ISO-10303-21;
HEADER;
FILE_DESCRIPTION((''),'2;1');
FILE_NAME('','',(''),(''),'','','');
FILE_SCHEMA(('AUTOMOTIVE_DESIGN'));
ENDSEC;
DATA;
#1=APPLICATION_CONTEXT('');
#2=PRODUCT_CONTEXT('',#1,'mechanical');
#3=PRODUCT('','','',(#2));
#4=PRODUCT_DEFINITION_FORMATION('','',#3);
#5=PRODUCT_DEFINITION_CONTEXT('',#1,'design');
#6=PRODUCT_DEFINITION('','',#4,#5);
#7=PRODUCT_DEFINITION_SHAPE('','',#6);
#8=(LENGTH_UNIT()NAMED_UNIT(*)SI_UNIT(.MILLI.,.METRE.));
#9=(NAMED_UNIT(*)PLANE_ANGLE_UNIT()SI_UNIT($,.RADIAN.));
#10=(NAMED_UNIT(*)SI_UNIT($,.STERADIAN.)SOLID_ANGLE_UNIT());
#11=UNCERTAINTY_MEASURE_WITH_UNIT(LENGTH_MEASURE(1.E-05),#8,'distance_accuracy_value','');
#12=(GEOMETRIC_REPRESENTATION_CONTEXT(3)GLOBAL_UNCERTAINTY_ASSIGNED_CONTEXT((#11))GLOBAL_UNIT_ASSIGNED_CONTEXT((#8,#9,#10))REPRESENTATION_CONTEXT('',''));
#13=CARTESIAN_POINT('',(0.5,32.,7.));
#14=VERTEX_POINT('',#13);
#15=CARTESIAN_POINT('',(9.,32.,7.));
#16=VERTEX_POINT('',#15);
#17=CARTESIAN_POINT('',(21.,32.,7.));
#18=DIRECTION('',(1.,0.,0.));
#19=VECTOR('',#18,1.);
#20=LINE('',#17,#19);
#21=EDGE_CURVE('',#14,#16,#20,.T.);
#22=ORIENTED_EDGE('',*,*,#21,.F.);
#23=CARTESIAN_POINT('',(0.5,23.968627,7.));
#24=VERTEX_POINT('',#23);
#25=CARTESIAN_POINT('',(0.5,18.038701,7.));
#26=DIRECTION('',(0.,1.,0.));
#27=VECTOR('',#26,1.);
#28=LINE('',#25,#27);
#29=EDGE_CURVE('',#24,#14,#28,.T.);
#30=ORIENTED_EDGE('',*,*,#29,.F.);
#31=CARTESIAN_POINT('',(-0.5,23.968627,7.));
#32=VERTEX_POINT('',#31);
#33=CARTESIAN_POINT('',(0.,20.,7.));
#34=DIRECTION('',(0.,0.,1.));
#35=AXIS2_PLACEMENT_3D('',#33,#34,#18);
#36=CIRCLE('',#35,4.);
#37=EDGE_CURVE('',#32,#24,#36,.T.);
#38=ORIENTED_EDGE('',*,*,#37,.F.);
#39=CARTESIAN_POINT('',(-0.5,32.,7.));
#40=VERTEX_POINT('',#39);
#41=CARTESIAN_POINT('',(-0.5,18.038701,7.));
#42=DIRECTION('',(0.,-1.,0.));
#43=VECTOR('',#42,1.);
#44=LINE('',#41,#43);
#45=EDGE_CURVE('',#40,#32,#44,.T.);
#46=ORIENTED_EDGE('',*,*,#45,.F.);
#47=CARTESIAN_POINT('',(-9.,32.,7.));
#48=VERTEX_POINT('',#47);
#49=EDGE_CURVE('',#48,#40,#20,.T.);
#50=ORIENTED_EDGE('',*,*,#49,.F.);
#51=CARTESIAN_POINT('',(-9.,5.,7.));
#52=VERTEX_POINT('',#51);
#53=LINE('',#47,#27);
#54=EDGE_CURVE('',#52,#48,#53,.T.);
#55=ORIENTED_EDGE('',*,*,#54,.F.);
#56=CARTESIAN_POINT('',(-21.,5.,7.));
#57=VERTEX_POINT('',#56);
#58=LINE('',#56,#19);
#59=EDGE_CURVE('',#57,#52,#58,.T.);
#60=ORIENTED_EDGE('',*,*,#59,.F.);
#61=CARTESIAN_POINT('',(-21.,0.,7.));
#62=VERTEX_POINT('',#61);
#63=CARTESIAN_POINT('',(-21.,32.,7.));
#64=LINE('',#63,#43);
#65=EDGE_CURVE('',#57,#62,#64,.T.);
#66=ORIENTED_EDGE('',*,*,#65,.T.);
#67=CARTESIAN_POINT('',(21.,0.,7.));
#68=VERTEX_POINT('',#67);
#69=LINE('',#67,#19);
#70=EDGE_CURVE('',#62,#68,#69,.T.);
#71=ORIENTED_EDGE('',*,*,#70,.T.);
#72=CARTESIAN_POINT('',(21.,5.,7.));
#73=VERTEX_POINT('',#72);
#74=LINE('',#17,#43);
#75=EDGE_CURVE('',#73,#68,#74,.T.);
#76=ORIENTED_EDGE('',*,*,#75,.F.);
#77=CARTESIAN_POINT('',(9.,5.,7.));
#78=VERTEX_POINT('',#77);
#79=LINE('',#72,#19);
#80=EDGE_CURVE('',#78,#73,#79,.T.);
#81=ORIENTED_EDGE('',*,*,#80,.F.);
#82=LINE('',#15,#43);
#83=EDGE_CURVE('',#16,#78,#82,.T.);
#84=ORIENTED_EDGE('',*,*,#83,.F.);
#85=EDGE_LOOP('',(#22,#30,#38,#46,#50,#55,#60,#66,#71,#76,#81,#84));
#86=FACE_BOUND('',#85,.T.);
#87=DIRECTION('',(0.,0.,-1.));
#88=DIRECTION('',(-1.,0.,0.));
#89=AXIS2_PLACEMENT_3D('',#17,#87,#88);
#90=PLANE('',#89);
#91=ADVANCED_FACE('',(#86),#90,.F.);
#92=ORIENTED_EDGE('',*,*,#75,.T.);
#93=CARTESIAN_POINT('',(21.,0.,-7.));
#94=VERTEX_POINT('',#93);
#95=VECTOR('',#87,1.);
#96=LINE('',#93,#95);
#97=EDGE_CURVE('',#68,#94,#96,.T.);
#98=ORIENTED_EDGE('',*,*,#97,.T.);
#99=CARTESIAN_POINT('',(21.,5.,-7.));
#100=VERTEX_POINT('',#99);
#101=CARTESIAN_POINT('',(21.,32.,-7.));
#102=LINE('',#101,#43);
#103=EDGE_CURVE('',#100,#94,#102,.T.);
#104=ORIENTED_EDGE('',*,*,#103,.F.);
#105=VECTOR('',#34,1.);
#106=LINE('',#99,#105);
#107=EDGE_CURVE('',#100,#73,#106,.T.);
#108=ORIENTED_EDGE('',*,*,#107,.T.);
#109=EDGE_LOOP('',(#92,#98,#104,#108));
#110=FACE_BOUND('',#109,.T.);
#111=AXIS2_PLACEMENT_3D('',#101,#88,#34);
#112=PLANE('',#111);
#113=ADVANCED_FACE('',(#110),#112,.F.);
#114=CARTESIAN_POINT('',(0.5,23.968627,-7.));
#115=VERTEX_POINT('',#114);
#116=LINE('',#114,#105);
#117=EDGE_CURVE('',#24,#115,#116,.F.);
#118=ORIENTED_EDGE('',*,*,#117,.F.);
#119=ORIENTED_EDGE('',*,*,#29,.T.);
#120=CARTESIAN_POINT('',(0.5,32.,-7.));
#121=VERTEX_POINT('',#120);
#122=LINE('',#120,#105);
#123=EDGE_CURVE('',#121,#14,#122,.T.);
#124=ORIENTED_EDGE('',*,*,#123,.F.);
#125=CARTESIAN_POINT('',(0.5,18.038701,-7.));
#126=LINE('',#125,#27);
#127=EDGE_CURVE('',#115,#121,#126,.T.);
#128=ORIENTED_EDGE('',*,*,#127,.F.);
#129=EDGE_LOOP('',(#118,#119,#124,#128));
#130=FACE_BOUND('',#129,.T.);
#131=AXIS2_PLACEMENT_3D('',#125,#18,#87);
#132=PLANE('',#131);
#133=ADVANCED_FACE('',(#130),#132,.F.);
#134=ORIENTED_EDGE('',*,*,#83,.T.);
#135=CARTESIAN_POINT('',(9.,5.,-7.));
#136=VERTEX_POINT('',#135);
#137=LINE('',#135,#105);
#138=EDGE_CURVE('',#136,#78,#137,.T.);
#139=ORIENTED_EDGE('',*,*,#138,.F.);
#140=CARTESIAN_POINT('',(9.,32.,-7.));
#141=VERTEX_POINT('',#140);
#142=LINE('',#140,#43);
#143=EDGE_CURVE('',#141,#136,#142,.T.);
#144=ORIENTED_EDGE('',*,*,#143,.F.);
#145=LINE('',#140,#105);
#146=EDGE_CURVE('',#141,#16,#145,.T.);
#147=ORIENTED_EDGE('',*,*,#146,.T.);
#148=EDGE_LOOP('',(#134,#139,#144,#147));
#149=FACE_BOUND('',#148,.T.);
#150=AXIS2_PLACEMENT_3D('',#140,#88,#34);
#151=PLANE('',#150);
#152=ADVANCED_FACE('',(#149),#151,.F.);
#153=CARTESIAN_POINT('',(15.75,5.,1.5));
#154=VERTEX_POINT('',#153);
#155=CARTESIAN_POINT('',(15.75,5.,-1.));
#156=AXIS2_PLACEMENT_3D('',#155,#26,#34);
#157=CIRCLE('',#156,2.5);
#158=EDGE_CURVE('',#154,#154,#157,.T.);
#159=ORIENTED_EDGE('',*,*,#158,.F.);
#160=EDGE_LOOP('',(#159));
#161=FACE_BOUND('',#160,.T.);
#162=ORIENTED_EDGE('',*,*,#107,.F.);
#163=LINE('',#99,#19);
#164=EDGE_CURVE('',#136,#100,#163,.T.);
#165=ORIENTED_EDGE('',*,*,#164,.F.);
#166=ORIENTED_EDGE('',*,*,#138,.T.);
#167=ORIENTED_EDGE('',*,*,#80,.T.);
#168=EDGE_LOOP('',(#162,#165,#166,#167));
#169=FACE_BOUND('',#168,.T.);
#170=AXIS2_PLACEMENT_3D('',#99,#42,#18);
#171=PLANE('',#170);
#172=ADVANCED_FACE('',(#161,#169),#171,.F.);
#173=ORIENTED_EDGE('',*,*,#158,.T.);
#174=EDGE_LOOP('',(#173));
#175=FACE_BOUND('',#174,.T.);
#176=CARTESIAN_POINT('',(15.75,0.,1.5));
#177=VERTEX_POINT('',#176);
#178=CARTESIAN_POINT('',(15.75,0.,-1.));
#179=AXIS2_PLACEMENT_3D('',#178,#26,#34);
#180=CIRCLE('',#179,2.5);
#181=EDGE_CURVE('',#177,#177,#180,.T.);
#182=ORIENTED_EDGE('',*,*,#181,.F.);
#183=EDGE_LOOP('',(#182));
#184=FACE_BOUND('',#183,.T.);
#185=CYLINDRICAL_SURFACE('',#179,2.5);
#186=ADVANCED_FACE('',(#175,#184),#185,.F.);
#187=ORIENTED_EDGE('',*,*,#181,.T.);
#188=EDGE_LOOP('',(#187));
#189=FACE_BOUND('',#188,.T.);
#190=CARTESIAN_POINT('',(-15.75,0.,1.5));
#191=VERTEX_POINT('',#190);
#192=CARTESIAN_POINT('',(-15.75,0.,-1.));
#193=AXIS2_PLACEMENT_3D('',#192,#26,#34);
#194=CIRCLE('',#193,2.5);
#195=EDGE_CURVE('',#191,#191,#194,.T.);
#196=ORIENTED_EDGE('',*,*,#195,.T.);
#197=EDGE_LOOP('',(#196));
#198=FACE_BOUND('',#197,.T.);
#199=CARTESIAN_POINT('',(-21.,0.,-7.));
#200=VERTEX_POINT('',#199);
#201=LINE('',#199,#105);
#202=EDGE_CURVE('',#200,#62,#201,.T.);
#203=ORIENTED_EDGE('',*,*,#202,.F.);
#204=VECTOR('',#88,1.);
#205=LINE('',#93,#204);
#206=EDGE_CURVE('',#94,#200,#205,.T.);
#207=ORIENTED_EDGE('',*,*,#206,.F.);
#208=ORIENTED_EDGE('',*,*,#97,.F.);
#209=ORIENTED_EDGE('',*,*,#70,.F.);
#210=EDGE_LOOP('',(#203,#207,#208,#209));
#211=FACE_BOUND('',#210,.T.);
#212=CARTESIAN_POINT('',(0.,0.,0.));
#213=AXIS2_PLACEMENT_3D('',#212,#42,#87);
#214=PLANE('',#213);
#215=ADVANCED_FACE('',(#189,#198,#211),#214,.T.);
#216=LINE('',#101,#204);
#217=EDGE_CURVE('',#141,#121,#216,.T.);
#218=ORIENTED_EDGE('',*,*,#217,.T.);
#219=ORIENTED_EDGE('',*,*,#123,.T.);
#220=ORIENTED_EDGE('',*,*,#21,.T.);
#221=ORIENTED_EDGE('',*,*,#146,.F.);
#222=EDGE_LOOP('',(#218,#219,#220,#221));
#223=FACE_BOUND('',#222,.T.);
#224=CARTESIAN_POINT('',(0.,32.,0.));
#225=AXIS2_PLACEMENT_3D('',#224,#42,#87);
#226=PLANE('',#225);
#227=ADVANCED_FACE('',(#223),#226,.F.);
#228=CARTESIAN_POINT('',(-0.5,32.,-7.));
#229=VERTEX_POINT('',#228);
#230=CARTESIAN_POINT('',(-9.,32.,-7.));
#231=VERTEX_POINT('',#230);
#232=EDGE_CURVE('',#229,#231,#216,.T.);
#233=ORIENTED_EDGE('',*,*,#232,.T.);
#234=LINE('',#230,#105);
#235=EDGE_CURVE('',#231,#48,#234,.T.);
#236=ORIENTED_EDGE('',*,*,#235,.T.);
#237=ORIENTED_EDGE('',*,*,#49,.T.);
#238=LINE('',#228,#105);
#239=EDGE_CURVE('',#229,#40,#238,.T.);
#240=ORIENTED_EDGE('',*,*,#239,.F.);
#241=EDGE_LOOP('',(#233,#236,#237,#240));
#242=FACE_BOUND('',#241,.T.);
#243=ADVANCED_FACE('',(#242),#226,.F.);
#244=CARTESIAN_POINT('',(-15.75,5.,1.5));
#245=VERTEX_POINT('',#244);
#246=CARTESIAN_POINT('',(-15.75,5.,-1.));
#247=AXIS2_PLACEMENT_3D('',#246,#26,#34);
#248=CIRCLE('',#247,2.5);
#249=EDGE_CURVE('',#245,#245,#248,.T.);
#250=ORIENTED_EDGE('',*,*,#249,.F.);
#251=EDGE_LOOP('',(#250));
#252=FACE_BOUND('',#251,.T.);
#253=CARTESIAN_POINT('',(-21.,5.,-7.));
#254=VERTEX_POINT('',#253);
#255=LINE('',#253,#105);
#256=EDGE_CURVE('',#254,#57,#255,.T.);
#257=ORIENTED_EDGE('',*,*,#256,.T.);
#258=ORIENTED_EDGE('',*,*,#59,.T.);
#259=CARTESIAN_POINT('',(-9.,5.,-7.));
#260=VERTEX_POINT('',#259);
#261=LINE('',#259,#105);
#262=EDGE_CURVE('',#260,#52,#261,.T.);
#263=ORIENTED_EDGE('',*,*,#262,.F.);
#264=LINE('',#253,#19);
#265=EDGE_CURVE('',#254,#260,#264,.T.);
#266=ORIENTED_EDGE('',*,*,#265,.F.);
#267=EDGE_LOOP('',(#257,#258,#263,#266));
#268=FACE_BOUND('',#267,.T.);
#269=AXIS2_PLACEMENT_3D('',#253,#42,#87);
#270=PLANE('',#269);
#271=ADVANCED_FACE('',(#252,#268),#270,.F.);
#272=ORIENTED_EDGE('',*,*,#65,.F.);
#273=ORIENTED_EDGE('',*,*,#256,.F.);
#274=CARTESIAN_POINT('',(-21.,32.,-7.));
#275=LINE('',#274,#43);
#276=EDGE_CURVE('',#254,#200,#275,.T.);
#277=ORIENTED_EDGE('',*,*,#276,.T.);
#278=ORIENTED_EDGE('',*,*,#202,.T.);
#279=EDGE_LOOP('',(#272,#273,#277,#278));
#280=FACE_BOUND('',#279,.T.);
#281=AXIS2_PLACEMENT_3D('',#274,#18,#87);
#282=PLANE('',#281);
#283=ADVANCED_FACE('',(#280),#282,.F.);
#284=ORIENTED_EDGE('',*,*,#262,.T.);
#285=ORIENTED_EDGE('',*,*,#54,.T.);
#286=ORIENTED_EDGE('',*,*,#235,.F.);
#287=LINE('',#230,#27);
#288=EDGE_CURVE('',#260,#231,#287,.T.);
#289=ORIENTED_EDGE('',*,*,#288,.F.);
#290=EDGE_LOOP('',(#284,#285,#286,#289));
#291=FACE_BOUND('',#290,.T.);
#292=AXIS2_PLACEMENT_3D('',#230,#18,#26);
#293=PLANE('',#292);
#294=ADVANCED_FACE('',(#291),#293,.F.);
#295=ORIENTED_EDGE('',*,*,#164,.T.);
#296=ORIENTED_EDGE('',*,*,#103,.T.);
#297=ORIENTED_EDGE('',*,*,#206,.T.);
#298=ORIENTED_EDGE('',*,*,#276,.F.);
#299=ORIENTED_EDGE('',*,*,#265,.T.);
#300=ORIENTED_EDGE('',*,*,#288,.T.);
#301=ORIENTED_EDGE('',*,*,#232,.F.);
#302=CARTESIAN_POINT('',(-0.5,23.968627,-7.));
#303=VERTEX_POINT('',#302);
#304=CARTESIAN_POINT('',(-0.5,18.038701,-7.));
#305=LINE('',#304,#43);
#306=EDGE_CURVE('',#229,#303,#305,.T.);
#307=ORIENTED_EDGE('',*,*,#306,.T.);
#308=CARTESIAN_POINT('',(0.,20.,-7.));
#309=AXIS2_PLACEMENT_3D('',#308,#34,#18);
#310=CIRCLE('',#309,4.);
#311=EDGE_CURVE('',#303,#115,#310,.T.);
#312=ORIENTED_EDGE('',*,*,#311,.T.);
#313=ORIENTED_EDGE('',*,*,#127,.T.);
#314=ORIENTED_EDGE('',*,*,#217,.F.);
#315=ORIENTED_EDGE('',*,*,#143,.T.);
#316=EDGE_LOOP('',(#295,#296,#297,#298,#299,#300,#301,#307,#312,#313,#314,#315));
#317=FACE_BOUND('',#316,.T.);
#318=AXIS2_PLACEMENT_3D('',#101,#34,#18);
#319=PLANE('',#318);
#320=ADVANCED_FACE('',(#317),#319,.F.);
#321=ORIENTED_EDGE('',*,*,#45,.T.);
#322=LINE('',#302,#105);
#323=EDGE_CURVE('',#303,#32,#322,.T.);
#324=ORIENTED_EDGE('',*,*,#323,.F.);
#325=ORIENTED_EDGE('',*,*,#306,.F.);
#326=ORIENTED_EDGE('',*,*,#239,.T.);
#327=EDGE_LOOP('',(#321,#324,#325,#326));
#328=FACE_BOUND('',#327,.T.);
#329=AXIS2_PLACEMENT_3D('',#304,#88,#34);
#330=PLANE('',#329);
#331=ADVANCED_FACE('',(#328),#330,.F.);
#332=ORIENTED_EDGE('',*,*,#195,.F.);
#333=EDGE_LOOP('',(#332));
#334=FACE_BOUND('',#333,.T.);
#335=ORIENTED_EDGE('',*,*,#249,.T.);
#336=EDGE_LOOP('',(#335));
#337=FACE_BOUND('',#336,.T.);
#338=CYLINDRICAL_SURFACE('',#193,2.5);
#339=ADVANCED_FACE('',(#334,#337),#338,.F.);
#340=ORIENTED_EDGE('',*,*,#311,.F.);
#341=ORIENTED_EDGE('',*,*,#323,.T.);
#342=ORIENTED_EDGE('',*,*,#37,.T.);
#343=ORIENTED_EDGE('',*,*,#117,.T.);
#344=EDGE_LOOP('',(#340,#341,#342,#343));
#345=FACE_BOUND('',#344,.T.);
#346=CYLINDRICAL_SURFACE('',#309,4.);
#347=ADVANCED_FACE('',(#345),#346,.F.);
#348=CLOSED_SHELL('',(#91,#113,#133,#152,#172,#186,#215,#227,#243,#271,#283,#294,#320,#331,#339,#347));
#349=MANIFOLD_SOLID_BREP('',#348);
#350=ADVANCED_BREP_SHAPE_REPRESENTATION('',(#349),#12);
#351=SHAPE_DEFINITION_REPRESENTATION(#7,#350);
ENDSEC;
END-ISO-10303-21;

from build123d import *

# Parameters (mm, degrees)
ESQUISSE1_W             = 42
ESQUISSE1_H             = 14
BOSS_EXTRU_1_DEPTH      = 32
ESQUISSE2_W             = 12
ESQUISSE2_H             = 27
ENL_V_MAT_EXTRU_1_DEPTH = 41.755367745
ESQUISSE3_R             = 4
ENL_V_MAT_EXTRU_2_DEPTH = 41.755367745
ESQUISSE4_W             = 1
ESQUISSE4_H             = 13.961299029
ENL_V_MAT_EXTRU_3_DEPTH = 41.755367745
ESQUISSE5_R             = 2.5
ENL_V_MAT_EXTRU_4_DEPTH = 35.9141805


with BuildPart() as part:
    # Esquisse1 → Boss.-Extru.1 (new body)
    with BuildSketch(Plane(origin=(0, 0, 0), x_dir=(1, 0, 0), z_dir=(0, 1, 0))):
        Rectangle(ESQUISSE1_W, ESQUISSE1_H)
    extrude(amount=BOSS_EXTRU_1_DEPTH)

    # Esquisse2 → Enlèv. mat.-Extru.1 (cut, through all)
    with BuildSketch(Plane.XY.offset(7)):
        with Locations((-15, 18.5)):
            Rectangle(ESQUISSE2_W, ESQUISSE2_H)
        with Locations((15, 18.5)):
            Rectangle(ESQUISSE2_W, ESQUISSE2_H)
    extrude(amount=-ENL_V_MAT_EXTRU_1_DEPTH, mode=Mode.SUBTRACT)

    # Esquisse3 → Enlèv. mat.-Extru.2 (cut, through all)
    with BuildSketch(Plane.XY.offset(7)):
        with Locations((0, 20)):
            Circle(ESQUISSE3_R)
    extrude(amount=-ENL_V_MAT_EXTRU_2_DEPTH, mode=Mode.SUBTRACT)

    # Esquisse4 → Enlèv. mat.-Extru.3 (cut, through all)
    with BuildSketch(Plane.XY.offset(7)):
        with Locations((0, 25.019350485)):
            Rectangle(ESQUISSE4_W, ESQUISSE4_H)
    extrude(amount=-ENL_V_MAT_EXTRU_3_DEPTH, mode=Mode.SUBTRACT)

    # Esquisse5 → Enlèv. mat.-Extru.4 (cut, through all)
    with BuildSketch(Plane(origin=(0, 5, 0), x_dir=(1, 0, 0), z_dir=(0, 1, 0))):
        with Locations(Location((-15.75, 1, 0), (0, 0, 270))):
            Circle(ESQUISSE5_R)
        with Locations(Location((15.75, 1, 0), (0, 0, 270))):
            Circle(ESQUISSE5_R)
    extrude(amount=-ENL_V_MAT_EXTRU_4_DEPTH, mode=Mode.SUBTRACT)


solid = part.part
